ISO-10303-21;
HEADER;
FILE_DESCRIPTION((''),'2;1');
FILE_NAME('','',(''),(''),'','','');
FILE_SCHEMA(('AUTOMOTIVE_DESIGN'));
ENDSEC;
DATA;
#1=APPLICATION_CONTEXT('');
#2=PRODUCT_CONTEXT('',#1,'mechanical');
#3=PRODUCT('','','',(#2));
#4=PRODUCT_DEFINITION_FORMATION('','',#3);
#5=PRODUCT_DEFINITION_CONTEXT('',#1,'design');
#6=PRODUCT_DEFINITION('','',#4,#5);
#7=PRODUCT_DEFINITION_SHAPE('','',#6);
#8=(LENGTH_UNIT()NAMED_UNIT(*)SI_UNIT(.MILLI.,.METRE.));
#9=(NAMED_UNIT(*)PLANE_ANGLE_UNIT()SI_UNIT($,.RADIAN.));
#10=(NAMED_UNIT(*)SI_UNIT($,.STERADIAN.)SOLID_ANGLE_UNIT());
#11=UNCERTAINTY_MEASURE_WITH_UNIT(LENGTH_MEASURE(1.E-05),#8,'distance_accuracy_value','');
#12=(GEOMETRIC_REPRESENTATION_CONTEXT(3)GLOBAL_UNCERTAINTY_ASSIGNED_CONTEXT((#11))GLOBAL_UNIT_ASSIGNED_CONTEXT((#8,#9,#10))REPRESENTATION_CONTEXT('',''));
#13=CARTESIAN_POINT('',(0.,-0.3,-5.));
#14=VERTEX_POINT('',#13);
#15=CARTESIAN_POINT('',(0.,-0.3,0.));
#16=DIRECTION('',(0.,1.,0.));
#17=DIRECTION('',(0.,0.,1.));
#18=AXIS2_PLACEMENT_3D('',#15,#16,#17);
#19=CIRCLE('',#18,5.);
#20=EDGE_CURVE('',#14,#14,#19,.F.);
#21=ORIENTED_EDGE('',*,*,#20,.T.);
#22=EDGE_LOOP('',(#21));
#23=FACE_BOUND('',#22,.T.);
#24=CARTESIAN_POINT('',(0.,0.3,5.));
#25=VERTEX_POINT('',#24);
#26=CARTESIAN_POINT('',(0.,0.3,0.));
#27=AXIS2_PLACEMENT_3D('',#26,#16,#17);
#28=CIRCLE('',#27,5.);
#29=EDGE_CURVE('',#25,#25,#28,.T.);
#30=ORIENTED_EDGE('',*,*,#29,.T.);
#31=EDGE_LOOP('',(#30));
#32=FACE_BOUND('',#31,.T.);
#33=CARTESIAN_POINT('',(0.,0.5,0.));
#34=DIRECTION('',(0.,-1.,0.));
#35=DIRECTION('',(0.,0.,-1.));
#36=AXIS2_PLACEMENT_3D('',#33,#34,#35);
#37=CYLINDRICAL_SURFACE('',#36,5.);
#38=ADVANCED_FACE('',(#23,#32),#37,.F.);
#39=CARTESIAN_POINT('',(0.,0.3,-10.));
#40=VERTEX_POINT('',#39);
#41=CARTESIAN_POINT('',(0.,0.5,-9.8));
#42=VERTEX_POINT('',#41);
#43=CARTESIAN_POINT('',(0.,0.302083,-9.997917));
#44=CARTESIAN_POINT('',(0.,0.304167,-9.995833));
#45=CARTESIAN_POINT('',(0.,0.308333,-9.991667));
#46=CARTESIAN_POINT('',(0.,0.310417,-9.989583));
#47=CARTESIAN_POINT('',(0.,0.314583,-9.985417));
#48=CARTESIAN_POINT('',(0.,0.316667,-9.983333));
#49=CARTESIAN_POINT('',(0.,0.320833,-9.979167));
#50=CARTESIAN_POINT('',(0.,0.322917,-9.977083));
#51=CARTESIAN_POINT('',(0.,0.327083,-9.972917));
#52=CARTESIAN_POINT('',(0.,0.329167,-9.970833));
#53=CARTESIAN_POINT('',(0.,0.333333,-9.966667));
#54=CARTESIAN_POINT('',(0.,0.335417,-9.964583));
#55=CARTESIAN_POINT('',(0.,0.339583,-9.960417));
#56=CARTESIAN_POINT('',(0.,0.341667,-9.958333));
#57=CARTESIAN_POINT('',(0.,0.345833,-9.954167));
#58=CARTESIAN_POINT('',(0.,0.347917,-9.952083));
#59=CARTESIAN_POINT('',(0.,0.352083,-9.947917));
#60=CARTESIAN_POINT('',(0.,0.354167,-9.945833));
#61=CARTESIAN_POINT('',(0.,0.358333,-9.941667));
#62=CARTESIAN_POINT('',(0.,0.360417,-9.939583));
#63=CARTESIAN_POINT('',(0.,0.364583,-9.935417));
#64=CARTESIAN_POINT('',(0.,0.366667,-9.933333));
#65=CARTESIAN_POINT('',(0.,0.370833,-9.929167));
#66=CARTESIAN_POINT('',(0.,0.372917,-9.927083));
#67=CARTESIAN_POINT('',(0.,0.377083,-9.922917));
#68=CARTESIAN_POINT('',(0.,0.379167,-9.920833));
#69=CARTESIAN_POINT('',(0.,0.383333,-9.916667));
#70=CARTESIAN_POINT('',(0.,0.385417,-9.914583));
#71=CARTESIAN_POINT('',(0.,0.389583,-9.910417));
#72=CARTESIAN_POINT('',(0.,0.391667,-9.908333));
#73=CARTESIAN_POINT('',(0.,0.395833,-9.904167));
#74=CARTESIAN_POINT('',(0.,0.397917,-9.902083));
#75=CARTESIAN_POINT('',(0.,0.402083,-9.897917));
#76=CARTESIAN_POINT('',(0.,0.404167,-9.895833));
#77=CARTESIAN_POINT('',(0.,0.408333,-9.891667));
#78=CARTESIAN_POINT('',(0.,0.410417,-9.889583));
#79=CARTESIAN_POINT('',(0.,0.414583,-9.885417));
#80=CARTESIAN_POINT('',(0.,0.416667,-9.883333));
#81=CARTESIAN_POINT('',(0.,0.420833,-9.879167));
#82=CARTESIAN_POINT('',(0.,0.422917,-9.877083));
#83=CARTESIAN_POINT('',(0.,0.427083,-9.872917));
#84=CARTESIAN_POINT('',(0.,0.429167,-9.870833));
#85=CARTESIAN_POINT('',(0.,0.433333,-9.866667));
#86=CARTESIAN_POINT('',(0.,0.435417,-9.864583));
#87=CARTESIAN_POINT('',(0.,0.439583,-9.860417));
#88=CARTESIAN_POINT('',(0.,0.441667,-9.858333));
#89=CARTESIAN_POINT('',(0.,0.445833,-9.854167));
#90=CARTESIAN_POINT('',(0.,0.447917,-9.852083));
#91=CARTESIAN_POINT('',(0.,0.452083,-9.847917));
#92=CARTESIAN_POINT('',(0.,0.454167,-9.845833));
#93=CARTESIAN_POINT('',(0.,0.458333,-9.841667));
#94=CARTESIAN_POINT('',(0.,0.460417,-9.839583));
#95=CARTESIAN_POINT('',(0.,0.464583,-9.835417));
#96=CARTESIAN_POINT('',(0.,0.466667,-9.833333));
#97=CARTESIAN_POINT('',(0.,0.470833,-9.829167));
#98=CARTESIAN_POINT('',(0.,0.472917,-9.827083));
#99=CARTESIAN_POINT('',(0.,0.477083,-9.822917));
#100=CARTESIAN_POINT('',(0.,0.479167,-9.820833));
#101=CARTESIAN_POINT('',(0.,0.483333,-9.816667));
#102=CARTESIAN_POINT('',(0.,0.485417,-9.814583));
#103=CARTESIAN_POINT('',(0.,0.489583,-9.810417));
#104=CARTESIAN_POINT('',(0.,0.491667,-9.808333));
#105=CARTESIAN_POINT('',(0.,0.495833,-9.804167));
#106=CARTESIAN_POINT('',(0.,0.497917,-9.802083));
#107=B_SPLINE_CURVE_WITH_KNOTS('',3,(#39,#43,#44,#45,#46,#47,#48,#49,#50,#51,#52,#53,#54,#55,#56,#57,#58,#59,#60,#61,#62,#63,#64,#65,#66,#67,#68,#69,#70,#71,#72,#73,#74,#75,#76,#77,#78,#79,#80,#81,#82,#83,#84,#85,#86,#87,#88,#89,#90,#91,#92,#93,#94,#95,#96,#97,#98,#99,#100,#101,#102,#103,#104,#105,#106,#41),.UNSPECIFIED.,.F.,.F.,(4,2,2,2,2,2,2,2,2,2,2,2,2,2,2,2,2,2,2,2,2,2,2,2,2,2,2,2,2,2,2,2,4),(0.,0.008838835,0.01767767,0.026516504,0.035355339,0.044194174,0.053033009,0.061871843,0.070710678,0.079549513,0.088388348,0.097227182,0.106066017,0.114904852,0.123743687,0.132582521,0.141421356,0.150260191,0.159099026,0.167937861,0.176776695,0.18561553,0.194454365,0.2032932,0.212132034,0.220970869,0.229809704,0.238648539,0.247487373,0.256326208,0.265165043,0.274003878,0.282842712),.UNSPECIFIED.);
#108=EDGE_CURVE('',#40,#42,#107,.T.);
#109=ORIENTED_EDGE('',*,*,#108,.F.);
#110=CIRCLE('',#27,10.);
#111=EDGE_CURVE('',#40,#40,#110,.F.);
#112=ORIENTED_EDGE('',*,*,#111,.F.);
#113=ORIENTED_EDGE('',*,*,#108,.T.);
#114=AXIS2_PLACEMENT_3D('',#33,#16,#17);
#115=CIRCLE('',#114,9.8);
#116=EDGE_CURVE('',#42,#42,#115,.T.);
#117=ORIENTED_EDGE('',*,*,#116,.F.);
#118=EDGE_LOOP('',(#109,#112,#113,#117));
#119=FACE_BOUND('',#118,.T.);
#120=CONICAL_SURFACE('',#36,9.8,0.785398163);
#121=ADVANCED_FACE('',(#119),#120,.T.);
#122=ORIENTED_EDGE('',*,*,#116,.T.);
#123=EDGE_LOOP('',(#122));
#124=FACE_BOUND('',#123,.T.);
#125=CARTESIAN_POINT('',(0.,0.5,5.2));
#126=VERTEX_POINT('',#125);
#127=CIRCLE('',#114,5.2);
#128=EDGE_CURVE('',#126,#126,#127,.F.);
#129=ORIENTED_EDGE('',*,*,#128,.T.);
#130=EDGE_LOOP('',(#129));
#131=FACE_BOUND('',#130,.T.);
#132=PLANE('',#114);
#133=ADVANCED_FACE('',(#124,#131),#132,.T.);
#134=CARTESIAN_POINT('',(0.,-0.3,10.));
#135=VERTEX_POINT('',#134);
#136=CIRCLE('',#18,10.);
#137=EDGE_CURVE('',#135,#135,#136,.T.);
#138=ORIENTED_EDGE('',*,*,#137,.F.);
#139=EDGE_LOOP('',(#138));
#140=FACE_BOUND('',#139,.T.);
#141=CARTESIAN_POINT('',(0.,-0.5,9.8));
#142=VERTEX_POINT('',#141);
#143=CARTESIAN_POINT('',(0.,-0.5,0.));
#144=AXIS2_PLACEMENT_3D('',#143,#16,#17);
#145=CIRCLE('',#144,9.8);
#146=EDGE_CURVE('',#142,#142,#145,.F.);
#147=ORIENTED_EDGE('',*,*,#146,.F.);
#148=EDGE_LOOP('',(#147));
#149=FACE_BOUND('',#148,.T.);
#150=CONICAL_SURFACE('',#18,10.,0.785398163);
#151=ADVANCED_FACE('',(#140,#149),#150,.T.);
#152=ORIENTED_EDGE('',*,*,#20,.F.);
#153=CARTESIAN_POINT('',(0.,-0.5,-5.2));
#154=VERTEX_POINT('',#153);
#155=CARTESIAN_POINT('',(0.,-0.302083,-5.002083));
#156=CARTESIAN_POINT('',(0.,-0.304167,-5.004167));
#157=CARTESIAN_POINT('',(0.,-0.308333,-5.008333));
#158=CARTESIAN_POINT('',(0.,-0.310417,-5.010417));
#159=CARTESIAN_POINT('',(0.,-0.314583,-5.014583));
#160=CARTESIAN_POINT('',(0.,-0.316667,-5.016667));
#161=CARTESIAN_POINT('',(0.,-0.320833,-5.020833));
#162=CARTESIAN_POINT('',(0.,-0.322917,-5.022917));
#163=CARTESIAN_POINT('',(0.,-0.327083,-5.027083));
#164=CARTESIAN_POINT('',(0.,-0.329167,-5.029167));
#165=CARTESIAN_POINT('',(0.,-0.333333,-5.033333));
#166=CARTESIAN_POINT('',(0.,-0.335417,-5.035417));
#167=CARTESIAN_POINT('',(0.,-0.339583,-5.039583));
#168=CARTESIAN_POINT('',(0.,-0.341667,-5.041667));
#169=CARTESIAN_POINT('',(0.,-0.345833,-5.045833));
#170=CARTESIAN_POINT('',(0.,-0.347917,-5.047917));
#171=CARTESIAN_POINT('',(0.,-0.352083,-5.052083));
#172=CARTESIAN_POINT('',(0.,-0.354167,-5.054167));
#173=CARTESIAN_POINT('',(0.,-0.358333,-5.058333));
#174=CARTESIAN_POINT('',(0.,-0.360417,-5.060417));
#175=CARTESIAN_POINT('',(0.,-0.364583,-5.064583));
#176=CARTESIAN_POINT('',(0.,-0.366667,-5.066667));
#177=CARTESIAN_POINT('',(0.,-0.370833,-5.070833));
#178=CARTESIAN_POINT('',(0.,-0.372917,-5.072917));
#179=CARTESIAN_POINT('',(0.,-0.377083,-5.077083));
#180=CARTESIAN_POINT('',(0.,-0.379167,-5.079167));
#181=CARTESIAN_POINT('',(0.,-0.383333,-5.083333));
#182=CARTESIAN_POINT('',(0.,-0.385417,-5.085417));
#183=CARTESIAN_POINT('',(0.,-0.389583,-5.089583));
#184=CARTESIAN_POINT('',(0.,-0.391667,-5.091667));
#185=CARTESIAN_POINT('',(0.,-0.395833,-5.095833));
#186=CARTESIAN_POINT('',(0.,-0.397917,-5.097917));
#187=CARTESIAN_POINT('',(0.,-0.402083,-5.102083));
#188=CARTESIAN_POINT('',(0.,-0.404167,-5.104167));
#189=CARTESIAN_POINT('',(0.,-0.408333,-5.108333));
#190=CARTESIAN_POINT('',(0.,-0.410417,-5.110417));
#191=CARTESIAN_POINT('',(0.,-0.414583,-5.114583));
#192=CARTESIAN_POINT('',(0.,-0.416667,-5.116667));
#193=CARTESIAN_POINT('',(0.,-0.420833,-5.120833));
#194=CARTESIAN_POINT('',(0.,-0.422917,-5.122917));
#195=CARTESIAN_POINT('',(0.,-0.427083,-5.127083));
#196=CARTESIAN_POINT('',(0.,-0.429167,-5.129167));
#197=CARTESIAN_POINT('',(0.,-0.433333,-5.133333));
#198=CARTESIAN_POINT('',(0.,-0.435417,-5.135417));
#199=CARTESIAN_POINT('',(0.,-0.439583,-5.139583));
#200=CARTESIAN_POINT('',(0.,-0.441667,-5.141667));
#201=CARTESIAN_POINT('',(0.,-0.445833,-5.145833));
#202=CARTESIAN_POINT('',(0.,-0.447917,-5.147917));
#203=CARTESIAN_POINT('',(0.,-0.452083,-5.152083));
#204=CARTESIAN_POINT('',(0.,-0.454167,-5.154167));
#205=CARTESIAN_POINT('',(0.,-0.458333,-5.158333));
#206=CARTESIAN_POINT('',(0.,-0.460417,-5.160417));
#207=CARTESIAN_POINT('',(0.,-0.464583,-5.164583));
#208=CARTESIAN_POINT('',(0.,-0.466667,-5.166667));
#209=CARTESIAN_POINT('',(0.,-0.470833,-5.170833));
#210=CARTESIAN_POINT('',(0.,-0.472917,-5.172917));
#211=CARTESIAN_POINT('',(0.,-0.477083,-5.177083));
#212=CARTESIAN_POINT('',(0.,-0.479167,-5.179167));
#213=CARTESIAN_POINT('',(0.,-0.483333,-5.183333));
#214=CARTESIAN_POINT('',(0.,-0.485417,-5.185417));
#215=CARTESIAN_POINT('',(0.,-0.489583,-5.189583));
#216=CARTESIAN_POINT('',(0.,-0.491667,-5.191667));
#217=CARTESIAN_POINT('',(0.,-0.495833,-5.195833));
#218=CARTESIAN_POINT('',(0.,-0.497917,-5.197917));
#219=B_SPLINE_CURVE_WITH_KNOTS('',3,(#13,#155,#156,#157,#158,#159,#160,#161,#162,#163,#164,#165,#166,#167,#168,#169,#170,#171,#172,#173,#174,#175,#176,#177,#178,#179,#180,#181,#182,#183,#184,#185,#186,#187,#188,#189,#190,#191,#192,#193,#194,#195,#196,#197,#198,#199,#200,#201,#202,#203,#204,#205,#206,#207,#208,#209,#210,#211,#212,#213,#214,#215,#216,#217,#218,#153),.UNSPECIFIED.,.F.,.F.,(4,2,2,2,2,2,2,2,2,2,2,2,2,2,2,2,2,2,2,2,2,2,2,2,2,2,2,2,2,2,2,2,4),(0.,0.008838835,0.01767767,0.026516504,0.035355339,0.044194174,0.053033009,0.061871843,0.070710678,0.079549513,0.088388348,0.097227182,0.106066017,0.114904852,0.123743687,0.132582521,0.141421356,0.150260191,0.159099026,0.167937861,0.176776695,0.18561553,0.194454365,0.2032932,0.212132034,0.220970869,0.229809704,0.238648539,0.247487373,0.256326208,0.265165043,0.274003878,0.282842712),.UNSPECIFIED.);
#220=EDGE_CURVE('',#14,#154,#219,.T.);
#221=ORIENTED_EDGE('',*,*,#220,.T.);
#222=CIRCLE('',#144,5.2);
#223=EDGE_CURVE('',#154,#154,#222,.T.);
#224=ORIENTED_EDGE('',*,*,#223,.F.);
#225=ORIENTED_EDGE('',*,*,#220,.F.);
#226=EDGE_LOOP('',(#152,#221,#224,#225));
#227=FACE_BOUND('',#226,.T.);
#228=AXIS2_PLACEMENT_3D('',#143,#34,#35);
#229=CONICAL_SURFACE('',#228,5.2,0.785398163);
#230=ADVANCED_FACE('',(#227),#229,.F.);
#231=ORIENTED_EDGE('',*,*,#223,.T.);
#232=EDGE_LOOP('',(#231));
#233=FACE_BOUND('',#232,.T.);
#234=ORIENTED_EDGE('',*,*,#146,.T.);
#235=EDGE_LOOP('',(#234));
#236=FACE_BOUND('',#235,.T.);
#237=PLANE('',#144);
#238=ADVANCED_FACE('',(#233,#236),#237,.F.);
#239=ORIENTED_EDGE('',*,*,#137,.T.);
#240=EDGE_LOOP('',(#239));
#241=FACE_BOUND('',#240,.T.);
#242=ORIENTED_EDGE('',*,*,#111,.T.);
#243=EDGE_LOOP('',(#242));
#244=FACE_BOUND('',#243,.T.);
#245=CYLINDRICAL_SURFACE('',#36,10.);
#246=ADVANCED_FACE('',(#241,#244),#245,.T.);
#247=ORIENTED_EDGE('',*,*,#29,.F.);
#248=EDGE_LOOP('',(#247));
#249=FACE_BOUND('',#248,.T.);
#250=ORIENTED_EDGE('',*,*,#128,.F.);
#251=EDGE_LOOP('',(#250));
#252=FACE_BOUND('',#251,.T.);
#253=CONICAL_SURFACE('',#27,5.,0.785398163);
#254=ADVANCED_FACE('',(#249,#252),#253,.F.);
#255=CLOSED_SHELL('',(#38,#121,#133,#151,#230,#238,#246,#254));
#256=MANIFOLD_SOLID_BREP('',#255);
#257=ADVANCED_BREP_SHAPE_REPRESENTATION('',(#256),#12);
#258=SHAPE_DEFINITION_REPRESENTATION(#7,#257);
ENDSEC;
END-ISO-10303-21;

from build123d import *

# Parameters (mm, degrees)
SKETCH_2_R      = 10
SKETCH_2_R_2    = 5
EXTRUDE_1_DEPTH = 0.5
CHAMFER_1_SIZE  = 0.2


with BuildPart() as part:
    # 草图2 → 凸台-拉伸1 (new, symmetric)
    with BuildSketch(Plane(origin=(0, 0, 0), x_dir=(1, 0, 0), z_dir=(0, 1, 0))):
        with Locations(Location((0, 0, 0), (0, 0, 270))):
            Circle(SKETCH_2_R)
        with Locations(Location((0, 0, 0), (0, 0, 270))):
            Circle(SKETCH_2_R_2, mode=Mode.SUBTRACT)
    extrude(amount=EXTRUDE_1_DEPTH, both=True)

    # 倒角1
    chamfer_1_edges = [part.edges().sort_by_distance(p)[0] for p in [
        (0, -0.5, -10),
        (0, 0.5, -10),
        (0, -0.5, -5),
        (0, 0.5, -5),
    ]]
    chamfer(chamfer_1_edges, length=CHAMFER_1_SIZE)


solid = part.part
